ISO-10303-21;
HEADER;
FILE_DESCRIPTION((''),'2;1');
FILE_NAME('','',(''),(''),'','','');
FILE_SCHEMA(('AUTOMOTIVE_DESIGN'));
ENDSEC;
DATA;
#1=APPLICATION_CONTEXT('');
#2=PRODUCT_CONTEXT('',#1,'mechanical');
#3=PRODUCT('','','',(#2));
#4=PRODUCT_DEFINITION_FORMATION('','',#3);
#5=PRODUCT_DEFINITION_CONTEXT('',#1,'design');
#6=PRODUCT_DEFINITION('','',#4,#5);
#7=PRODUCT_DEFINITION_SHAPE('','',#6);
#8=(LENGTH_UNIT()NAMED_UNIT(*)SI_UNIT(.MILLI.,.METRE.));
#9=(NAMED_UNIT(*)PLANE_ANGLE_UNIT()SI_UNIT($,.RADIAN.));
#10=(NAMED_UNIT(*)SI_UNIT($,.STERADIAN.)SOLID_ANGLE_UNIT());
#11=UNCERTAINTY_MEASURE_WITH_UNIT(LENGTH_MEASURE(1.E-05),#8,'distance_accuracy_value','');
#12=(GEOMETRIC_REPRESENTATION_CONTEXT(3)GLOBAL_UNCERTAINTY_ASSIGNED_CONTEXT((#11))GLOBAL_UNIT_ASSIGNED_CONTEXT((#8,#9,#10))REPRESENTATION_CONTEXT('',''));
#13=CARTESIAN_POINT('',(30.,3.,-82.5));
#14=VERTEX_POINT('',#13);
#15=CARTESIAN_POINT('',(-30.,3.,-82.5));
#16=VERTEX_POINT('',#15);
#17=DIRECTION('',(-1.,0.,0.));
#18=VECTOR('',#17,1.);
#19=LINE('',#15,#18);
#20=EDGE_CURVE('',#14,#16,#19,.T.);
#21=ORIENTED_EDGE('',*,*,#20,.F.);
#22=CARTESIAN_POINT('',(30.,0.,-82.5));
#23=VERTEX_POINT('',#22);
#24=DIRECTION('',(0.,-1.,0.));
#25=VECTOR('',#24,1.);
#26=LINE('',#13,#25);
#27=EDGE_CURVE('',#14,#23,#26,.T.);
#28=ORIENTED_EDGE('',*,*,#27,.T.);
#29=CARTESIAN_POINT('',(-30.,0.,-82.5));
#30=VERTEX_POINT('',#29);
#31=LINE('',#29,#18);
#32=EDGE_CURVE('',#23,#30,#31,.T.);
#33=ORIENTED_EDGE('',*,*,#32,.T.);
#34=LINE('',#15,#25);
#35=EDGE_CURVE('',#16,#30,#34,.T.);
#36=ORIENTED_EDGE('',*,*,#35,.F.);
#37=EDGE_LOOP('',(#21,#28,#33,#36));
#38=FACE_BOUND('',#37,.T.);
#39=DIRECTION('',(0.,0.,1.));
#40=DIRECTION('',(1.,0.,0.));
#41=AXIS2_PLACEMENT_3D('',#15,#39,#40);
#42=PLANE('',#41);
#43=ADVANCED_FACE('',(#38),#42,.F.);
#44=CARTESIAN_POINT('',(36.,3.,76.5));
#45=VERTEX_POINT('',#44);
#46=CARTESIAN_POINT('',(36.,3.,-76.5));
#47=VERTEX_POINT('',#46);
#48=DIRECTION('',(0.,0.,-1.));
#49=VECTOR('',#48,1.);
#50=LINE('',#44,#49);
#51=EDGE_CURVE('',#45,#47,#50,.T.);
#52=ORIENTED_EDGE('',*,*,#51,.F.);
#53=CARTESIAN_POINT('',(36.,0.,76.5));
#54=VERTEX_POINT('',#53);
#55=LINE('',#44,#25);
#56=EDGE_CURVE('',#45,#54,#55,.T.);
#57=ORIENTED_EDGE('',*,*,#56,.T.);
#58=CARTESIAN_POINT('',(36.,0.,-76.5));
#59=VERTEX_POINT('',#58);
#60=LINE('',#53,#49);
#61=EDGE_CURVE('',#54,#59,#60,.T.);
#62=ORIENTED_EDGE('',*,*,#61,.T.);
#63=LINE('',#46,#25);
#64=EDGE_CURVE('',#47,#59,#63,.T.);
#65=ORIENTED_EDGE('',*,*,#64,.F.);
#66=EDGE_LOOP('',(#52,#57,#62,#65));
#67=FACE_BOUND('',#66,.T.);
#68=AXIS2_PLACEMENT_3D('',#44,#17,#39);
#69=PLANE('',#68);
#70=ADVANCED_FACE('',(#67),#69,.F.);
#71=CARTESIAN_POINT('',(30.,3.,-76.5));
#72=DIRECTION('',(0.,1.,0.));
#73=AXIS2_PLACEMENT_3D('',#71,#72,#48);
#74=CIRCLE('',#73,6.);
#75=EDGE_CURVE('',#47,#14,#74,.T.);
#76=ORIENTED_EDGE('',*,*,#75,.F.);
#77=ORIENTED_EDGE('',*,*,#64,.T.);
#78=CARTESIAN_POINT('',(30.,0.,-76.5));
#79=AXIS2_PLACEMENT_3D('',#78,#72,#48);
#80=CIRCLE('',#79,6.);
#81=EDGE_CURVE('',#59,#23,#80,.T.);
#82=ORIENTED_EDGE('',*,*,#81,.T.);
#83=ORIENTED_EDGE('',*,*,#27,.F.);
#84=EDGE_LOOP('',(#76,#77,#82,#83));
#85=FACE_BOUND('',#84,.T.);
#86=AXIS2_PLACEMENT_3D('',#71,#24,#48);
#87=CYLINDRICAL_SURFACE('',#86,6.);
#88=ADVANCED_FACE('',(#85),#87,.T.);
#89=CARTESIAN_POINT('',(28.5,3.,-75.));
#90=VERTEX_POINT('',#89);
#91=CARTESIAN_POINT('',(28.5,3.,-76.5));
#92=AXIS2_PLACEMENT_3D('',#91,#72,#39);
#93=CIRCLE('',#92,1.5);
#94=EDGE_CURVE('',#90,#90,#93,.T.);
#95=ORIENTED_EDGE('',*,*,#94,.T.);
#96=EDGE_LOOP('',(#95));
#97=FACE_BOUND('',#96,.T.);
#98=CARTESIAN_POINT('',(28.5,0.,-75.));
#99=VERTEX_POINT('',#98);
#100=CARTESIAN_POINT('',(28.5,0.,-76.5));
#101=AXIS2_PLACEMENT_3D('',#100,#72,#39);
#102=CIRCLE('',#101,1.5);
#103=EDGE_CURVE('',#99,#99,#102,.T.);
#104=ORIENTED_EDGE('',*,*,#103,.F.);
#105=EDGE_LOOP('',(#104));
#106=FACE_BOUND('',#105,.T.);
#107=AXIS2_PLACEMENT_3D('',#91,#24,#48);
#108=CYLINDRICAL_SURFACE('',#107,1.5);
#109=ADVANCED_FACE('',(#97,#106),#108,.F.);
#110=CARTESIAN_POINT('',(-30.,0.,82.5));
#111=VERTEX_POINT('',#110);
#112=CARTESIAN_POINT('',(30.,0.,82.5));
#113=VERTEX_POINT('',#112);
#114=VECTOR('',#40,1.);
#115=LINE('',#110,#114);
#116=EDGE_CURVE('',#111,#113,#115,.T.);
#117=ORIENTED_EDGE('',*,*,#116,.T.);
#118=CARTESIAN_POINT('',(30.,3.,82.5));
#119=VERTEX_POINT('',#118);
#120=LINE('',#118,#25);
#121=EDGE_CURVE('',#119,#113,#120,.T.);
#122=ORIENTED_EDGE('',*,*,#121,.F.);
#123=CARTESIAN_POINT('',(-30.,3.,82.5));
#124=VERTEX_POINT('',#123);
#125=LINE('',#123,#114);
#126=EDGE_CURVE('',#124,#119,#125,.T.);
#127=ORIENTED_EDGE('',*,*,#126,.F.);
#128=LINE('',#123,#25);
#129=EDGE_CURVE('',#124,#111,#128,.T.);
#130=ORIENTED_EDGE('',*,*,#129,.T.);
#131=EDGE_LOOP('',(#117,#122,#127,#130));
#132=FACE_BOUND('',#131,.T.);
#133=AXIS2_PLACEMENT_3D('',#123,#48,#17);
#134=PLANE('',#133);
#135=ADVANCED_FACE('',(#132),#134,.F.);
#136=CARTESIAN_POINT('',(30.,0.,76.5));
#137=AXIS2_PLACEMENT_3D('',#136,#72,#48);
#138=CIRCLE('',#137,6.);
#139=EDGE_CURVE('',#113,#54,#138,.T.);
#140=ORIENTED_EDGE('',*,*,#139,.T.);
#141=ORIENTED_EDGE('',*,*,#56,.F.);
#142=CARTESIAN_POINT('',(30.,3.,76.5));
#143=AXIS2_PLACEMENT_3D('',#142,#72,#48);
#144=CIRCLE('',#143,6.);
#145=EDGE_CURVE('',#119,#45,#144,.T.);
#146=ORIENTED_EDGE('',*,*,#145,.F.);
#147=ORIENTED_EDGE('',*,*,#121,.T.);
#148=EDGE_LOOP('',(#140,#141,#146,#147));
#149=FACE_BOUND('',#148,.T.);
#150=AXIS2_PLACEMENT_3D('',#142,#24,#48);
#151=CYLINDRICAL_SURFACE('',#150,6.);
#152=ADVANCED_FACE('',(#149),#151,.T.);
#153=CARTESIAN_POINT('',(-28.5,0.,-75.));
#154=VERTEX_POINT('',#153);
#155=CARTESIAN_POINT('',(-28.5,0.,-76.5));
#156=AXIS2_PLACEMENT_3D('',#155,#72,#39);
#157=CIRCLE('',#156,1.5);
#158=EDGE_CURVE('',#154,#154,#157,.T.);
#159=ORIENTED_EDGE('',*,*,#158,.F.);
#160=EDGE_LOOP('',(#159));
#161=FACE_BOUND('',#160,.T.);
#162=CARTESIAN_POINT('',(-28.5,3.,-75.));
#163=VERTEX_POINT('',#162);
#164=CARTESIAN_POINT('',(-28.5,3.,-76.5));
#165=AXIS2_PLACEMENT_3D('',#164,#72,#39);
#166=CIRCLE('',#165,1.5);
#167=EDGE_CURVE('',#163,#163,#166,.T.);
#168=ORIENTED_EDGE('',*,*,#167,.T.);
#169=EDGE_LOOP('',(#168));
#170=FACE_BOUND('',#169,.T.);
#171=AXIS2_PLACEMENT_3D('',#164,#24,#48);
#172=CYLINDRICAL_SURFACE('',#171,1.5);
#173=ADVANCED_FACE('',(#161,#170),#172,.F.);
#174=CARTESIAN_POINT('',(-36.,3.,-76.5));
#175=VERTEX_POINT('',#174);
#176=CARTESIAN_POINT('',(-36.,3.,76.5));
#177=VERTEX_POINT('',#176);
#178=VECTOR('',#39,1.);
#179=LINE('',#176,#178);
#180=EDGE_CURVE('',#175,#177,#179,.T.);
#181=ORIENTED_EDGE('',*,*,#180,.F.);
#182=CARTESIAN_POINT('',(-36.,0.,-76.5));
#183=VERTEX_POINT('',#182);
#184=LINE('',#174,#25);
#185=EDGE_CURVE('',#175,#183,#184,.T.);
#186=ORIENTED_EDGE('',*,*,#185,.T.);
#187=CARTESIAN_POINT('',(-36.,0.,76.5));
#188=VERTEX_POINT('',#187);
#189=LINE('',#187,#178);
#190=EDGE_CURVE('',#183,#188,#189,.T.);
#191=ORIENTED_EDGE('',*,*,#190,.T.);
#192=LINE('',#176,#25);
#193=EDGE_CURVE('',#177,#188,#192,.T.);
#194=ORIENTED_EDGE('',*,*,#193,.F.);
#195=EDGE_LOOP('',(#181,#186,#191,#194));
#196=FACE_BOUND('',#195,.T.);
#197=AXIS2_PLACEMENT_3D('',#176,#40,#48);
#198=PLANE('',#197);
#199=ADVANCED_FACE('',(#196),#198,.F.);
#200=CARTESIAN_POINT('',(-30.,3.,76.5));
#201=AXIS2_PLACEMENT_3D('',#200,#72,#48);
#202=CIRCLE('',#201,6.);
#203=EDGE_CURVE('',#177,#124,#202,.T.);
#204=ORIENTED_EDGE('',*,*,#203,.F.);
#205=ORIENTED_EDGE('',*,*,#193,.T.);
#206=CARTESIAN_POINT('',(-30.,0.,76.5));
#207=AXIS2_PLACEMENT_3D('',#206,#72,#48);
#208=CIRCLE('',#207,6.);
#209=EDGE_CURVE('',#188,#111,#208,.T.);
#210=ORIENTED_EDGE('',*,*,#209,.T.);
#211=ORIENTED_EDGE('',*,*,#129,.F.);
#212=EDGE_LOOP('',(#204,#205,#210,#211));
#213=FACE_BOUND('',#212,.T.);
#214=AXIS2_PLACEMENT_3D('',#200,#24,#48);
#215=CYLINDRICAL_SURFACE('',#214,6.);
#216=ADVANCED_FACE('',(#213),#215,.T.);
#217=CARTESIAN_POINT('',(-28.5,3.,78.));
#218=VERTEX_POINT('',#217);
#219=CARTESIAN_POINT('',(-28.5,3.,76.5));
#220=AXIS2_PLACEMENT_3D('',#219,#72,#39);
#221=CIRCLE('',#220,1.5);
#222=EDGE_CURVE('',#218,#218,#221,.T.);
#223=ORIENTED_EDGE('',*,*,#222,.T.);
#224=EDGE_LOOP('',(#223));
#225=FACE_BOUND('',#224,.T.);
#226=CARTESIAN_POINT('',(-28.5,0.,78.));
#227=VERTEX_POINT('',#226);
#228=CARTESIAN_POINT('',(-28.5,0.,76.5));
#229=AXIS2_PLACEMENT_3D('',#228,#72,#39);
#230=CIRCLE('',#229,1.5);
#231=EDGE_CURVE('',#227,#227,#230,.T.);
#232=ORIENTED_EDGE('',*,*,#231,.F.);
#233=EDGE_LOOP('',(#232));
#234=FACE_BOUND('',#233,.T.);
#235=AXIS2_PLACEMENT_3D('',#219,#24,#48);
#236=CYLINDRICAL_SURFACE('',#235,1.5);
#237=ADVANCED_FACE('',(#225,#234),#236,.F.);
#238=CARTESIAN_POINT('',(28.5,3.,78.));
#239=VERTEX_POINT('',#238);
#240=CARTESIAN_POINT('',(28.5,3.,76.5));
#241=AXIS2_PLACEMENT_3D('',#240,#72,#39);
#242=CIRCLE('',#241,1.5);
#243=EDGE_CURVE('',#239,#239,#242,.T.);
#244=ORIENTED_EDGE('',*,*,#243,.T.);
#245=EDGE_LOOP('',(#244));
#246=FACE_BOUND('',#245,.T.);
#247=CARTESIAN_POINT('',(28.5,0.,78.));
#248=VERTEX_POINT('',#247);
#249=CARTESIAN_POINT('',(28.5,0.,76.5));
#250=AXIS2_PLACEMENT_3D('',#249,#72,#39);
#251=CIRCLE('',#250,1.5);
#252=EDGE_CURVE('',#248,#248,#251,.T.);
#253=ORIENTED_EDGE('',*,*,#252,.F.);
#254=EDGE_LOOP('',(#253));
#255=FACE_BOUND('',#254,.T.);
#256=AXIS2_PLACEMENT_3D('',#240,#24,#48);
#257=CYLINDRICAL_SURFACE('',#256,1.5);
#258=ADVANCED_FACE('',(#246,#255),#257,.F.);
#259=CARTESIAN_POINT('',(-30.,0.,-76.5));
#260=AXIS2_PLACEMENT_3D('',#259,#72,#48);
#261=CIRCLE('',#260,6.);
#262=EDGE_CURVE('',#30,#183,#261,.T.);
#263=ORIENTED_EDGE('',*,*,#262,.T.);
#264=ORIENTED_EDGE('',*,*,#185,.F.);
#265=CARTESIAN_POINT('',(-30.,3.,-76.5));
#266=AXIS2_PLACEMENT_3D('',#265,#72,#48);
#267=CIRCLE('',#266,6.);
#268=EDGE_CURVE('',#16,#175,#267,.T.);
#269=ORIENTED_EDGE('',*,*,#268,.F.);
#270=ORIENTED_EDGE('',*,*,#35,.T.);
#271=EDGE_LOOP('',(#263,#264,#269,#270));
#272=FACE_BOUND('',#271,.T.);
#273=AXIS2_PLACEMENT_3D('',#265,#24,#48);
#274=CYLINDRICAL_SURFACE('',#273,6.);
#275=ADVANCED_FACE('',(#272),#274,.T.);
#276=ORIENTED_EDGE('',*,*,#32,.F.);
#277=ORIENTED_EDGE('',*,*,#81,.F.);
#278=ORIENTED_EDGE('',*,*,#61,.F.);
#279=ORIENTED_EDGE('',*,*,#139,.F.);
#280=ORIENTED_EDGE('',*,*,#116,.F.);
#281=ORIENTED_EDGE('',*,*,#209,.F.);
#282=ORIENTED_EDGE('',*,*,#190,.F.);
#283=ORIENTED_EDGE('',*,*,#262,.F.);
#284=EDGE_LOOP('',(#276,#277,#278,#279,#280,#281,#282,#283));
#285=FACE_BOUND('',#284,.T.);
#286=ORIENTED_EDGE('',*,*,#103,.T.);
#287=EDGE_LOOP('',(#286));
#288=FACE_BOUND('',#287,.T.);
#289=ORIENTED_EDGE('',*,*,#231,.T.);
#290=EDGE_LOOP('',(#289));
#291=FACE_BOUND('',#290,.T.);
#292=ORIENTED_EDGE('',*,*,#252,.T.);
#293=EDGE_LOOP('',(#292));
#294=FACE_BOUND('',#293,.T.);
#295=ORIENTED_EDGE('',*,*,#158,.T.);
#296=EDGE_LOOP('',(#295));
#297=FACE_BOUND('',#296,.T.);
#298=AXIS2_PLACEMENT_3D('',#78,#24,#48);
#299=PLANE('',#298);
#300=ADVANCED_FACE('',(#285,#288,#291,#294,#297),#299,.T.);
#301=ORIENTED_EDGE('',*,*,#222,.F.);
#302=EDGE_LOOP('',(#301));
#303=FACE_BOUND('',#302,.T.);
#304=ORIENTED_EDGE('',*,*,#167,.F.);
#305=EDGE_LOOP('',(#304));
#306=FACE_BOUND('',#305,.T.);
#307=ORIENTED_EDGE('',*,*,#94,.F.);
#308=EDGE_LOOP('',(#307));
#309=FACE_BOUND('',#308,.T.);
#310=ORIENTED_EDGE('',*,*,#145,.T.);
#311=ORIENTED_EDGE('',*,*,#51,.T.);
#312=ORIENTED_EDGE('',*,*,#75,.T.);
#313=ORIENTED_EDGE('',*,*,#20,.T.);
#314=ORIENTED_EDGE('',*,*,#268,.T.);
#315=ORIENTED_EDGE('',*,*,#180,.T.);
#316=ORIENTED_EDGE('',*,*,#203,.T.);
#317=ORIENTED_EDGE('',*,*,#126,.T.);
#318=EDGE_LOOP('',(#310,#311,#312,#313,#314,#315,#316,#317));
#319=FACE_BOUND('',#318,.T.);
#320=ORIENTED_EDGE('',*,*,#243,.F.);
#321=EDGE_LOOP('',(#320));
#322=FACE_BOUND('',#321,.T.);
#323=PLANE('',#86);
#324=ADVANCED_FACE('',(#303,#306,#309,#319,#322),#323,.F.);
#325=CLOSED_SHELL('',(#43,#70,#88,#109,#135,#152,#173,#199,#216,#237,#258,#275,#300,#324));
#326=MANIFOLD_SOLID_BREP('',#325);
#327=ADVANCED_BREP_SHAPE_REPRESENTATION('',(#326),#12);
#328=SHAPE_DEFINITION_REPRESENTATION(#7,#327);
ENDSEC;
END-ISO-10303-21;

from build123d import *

# Parameters (mm, degrees)
SKETCH1_R           = 1.5
BOSS_EXTRUDE1_DEPTH = 3


with BuildPart() as part:
    # Sketch1 → Boss-Extrude1 (new body)
    with BuildSketch(Plane(origin=(0, 0, 0), x_dir=(1, 0, 0), z_dir=(0, 1, 0))):
        with BuildLine():
            Line((-30, -82.5), (30, -82.5))
            ThreePointArc((30, -82.5), (34.242640687, -80.742640687), (36, -76.5))
            Line((36, -76.5), (36, 76.5))
            ThreePointArc((36, 76.5), (34.242640687, 80.742640687), (30, 82.5))
            Line((30, 82.5), (-30, 82.5))
            ThreePointArc((-30, 82.5), (-34.242640687, 80.742640687), (-36, 76.5))
            Line((-36, 76.5), (-36, -76.5))
            ThreePointArc((-36, -76.5), (-34.242640687, -80.742640687), (-30, -82.5))
        make_face()
        with Locations(Location((28.5, -76.5, 0), (0, 0, 270))):
            Circle(SKETCH1_R, mode=Mode.SUBTRACT)
        with Locations(Location((-28.5, -76.5, 0), (0, 0, 270))):
            Circle(SKETCH1_R, mode=Mode.SUBTRACT)
        with Locations(Location((28.5, 76.5, 0), (0, 0, 270))):
            Circle(SKETCH1_R, mode=Mode.SUBTRACT)
        with Locations(Location((-28.5, 76.5, 0), (0, 0, 270))):
            Circle(SKETCH1_R, mode=Mode.SUBTRACT)
    extrude(amount=BOSS_EXTRUDE1_DEPTH)


solid = part.part
